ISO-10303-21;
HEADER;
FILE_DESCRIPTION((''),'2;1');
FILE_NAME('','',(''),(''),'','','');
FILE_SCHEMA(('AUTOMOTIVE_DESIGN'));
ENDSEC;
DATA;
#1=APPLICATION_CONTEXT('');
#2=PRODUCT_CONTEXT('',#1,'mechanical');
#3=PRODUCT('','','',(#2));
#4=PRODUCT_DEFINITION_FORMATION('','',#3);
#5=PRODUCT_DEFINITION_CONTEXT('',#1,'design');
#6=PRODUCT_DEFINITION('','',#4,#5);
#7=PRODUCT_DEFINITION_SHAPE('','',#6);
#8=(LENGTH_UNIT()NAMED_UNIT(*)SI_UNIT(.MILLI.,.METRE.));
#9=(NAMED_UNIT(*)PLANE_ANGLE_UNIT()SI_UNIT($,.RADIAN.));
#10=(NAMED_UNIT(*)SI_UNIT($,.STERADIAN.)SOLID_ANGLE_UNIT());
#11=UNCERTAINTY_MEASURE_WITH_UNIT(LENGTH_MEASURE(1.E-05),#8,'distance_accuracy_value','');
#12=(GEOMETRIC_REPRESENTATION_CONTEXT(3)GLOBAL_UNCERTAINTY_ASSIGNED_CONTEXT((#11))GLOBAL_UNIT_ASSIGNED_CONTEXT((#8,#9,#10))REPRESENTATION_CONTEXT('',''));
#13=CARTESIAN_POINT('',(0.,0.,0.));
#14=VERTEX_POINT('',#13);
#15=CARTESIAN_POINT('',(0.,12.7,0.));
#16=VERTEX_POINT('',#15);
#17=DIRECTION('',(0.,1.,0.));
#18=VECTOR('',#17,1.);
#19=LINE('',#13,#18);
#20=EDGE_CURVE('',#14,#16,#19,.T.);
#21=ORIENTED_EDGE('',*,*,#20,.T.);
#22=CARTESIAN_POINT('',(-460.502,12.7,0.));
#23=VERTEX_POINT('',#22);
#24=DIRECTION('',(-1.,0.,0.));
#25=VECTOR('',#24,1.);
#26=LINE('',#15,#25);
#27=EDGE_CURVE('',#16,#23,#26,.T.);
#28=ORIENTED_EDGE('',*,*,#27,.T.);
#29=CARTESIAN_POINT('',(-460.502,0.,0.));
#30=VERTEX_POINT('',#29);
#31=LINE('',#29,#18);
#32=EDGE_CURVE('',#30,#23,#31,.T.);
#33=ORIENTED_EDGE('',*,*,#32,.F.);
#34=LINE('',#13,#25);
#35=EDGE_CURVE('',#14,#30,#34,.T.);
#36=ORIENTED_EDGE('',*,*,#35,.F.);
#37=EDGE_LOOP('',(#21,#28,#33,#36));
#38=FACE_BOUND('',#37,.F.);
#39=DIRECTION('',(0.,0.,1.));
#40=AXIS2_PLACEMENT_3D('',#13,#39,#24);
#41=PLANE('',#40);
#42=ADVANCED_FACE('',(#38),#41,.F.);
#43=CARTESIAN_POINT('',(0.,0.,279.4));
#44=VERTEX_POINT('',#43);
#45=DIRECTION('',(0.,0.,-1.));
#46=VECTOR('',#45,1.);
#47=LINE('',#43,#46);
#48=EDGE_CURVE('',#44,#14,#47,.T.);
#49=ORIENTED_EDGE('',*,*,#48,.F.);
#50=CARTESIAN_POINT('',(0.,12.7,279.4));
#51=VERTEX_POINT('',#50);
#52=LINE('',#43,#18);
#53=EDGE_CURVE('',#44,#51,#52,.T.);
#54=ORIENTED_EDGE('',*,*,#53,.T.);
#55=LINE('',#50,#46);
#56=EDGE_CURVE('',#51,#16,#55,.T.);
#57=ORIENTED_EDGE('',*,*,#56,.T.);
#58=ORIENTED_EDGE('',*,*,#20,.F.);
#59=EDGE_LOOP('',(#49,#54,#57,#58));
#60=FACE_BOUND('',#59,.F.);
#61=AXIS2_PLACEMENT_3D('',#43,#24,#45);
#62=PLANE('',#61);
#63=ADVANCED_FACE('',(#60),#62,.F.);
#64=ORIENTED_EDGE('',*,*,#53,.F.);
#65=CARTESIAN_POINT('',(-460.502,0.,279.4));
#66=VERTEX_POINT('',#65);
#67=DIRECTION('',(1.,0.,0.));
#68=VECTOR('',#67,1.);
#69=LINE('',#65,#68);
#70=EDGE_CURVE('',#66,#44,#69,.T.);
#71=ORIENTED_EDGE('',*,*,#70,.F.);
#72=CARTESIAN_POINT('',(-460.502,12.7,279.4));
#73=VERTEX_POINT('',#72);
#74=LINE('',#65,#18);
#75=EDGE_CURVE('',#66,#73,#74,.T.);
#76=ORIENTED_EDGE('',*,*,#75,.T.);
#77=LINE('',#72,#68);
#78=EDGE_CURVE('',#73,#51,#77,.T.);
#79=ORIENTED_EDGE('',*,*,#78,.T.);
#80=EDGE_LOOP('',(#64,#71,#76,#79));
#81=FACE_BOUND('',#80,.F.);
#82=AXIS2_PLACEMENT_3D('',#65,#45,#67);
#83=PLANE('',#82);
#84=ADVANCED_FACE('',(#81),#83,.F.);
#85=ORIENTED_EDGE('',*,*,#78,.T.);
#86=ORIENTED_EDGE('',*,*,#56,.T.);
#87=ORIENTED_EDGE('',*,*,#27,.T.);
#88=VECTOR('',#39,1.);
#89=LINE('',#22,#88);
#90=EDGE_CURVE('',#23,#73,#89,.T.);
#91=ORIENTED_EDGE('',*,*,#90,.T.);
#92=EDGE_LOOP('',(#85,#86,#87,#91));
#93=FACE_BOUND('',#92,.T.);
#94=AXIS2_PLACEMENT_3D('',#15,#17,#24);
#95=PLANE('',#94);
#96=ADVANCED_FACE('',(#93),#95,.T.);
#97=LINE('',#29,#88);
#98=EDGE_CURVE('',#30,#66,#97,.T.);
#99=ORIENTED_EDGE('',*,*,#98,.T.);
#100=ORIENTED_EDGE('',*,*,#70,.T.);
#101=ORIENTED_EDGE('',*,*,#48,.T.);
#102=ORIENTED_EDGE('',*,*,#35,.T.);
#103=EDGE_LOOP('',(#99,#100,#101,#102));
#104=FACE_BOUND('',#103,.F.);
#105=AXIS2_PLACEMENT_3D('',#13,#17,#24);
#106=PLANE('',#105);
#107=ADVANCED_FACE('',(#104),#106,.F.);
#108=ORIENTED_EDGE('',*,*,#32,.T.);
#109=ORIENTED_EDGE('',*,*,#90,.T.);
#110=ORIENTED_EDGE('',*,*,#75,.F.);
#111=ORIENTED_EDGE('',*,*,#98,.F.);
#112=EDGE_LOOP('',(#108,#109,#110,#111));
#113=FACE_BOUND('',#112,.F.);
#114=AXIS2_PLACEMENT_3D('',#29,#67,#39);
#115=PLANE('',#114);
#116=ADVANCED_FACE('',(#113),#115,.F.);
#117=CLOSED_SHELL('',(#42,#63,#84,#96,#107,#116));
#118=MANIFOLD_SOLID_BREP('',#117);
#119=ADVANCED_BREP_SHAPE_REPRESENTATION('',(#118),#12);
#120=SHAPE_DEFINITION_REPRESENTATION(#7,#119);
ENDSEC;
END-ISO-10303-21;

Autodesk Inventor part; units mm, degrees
ref_plane "YZ Plane" through (0, 0, 0) normal (1, 0, 0) x (0, 1, 0)
ref_plane "XZ Plane" through (0, 0, 0) normal (0, 1, 0) x (-1, 0, 0)
ref_plane "XY Plane" through (0, 0, 0) normal (0, 0, 1) x (1, 0, 0)
sketch "Sketch1" plane through (0, 0, 0) normal (0, 1, 0) x (-1, 0, 0)
  line L0 (0, 0) -> (460.502, 0)
  line L1 (460.502, 0) -> (460.502, 279.4)
  line L2 (460.502, 279.4) -> (0, 279.4)
  line L3 (0, 279.4) -> (0, 0)
  dimension "d0" = 460.502
  dimension "d1" = 279.4
extrude "Extrusion1" add sketch "Sketch1" along normal blind 12.7
properties part number "board2"
